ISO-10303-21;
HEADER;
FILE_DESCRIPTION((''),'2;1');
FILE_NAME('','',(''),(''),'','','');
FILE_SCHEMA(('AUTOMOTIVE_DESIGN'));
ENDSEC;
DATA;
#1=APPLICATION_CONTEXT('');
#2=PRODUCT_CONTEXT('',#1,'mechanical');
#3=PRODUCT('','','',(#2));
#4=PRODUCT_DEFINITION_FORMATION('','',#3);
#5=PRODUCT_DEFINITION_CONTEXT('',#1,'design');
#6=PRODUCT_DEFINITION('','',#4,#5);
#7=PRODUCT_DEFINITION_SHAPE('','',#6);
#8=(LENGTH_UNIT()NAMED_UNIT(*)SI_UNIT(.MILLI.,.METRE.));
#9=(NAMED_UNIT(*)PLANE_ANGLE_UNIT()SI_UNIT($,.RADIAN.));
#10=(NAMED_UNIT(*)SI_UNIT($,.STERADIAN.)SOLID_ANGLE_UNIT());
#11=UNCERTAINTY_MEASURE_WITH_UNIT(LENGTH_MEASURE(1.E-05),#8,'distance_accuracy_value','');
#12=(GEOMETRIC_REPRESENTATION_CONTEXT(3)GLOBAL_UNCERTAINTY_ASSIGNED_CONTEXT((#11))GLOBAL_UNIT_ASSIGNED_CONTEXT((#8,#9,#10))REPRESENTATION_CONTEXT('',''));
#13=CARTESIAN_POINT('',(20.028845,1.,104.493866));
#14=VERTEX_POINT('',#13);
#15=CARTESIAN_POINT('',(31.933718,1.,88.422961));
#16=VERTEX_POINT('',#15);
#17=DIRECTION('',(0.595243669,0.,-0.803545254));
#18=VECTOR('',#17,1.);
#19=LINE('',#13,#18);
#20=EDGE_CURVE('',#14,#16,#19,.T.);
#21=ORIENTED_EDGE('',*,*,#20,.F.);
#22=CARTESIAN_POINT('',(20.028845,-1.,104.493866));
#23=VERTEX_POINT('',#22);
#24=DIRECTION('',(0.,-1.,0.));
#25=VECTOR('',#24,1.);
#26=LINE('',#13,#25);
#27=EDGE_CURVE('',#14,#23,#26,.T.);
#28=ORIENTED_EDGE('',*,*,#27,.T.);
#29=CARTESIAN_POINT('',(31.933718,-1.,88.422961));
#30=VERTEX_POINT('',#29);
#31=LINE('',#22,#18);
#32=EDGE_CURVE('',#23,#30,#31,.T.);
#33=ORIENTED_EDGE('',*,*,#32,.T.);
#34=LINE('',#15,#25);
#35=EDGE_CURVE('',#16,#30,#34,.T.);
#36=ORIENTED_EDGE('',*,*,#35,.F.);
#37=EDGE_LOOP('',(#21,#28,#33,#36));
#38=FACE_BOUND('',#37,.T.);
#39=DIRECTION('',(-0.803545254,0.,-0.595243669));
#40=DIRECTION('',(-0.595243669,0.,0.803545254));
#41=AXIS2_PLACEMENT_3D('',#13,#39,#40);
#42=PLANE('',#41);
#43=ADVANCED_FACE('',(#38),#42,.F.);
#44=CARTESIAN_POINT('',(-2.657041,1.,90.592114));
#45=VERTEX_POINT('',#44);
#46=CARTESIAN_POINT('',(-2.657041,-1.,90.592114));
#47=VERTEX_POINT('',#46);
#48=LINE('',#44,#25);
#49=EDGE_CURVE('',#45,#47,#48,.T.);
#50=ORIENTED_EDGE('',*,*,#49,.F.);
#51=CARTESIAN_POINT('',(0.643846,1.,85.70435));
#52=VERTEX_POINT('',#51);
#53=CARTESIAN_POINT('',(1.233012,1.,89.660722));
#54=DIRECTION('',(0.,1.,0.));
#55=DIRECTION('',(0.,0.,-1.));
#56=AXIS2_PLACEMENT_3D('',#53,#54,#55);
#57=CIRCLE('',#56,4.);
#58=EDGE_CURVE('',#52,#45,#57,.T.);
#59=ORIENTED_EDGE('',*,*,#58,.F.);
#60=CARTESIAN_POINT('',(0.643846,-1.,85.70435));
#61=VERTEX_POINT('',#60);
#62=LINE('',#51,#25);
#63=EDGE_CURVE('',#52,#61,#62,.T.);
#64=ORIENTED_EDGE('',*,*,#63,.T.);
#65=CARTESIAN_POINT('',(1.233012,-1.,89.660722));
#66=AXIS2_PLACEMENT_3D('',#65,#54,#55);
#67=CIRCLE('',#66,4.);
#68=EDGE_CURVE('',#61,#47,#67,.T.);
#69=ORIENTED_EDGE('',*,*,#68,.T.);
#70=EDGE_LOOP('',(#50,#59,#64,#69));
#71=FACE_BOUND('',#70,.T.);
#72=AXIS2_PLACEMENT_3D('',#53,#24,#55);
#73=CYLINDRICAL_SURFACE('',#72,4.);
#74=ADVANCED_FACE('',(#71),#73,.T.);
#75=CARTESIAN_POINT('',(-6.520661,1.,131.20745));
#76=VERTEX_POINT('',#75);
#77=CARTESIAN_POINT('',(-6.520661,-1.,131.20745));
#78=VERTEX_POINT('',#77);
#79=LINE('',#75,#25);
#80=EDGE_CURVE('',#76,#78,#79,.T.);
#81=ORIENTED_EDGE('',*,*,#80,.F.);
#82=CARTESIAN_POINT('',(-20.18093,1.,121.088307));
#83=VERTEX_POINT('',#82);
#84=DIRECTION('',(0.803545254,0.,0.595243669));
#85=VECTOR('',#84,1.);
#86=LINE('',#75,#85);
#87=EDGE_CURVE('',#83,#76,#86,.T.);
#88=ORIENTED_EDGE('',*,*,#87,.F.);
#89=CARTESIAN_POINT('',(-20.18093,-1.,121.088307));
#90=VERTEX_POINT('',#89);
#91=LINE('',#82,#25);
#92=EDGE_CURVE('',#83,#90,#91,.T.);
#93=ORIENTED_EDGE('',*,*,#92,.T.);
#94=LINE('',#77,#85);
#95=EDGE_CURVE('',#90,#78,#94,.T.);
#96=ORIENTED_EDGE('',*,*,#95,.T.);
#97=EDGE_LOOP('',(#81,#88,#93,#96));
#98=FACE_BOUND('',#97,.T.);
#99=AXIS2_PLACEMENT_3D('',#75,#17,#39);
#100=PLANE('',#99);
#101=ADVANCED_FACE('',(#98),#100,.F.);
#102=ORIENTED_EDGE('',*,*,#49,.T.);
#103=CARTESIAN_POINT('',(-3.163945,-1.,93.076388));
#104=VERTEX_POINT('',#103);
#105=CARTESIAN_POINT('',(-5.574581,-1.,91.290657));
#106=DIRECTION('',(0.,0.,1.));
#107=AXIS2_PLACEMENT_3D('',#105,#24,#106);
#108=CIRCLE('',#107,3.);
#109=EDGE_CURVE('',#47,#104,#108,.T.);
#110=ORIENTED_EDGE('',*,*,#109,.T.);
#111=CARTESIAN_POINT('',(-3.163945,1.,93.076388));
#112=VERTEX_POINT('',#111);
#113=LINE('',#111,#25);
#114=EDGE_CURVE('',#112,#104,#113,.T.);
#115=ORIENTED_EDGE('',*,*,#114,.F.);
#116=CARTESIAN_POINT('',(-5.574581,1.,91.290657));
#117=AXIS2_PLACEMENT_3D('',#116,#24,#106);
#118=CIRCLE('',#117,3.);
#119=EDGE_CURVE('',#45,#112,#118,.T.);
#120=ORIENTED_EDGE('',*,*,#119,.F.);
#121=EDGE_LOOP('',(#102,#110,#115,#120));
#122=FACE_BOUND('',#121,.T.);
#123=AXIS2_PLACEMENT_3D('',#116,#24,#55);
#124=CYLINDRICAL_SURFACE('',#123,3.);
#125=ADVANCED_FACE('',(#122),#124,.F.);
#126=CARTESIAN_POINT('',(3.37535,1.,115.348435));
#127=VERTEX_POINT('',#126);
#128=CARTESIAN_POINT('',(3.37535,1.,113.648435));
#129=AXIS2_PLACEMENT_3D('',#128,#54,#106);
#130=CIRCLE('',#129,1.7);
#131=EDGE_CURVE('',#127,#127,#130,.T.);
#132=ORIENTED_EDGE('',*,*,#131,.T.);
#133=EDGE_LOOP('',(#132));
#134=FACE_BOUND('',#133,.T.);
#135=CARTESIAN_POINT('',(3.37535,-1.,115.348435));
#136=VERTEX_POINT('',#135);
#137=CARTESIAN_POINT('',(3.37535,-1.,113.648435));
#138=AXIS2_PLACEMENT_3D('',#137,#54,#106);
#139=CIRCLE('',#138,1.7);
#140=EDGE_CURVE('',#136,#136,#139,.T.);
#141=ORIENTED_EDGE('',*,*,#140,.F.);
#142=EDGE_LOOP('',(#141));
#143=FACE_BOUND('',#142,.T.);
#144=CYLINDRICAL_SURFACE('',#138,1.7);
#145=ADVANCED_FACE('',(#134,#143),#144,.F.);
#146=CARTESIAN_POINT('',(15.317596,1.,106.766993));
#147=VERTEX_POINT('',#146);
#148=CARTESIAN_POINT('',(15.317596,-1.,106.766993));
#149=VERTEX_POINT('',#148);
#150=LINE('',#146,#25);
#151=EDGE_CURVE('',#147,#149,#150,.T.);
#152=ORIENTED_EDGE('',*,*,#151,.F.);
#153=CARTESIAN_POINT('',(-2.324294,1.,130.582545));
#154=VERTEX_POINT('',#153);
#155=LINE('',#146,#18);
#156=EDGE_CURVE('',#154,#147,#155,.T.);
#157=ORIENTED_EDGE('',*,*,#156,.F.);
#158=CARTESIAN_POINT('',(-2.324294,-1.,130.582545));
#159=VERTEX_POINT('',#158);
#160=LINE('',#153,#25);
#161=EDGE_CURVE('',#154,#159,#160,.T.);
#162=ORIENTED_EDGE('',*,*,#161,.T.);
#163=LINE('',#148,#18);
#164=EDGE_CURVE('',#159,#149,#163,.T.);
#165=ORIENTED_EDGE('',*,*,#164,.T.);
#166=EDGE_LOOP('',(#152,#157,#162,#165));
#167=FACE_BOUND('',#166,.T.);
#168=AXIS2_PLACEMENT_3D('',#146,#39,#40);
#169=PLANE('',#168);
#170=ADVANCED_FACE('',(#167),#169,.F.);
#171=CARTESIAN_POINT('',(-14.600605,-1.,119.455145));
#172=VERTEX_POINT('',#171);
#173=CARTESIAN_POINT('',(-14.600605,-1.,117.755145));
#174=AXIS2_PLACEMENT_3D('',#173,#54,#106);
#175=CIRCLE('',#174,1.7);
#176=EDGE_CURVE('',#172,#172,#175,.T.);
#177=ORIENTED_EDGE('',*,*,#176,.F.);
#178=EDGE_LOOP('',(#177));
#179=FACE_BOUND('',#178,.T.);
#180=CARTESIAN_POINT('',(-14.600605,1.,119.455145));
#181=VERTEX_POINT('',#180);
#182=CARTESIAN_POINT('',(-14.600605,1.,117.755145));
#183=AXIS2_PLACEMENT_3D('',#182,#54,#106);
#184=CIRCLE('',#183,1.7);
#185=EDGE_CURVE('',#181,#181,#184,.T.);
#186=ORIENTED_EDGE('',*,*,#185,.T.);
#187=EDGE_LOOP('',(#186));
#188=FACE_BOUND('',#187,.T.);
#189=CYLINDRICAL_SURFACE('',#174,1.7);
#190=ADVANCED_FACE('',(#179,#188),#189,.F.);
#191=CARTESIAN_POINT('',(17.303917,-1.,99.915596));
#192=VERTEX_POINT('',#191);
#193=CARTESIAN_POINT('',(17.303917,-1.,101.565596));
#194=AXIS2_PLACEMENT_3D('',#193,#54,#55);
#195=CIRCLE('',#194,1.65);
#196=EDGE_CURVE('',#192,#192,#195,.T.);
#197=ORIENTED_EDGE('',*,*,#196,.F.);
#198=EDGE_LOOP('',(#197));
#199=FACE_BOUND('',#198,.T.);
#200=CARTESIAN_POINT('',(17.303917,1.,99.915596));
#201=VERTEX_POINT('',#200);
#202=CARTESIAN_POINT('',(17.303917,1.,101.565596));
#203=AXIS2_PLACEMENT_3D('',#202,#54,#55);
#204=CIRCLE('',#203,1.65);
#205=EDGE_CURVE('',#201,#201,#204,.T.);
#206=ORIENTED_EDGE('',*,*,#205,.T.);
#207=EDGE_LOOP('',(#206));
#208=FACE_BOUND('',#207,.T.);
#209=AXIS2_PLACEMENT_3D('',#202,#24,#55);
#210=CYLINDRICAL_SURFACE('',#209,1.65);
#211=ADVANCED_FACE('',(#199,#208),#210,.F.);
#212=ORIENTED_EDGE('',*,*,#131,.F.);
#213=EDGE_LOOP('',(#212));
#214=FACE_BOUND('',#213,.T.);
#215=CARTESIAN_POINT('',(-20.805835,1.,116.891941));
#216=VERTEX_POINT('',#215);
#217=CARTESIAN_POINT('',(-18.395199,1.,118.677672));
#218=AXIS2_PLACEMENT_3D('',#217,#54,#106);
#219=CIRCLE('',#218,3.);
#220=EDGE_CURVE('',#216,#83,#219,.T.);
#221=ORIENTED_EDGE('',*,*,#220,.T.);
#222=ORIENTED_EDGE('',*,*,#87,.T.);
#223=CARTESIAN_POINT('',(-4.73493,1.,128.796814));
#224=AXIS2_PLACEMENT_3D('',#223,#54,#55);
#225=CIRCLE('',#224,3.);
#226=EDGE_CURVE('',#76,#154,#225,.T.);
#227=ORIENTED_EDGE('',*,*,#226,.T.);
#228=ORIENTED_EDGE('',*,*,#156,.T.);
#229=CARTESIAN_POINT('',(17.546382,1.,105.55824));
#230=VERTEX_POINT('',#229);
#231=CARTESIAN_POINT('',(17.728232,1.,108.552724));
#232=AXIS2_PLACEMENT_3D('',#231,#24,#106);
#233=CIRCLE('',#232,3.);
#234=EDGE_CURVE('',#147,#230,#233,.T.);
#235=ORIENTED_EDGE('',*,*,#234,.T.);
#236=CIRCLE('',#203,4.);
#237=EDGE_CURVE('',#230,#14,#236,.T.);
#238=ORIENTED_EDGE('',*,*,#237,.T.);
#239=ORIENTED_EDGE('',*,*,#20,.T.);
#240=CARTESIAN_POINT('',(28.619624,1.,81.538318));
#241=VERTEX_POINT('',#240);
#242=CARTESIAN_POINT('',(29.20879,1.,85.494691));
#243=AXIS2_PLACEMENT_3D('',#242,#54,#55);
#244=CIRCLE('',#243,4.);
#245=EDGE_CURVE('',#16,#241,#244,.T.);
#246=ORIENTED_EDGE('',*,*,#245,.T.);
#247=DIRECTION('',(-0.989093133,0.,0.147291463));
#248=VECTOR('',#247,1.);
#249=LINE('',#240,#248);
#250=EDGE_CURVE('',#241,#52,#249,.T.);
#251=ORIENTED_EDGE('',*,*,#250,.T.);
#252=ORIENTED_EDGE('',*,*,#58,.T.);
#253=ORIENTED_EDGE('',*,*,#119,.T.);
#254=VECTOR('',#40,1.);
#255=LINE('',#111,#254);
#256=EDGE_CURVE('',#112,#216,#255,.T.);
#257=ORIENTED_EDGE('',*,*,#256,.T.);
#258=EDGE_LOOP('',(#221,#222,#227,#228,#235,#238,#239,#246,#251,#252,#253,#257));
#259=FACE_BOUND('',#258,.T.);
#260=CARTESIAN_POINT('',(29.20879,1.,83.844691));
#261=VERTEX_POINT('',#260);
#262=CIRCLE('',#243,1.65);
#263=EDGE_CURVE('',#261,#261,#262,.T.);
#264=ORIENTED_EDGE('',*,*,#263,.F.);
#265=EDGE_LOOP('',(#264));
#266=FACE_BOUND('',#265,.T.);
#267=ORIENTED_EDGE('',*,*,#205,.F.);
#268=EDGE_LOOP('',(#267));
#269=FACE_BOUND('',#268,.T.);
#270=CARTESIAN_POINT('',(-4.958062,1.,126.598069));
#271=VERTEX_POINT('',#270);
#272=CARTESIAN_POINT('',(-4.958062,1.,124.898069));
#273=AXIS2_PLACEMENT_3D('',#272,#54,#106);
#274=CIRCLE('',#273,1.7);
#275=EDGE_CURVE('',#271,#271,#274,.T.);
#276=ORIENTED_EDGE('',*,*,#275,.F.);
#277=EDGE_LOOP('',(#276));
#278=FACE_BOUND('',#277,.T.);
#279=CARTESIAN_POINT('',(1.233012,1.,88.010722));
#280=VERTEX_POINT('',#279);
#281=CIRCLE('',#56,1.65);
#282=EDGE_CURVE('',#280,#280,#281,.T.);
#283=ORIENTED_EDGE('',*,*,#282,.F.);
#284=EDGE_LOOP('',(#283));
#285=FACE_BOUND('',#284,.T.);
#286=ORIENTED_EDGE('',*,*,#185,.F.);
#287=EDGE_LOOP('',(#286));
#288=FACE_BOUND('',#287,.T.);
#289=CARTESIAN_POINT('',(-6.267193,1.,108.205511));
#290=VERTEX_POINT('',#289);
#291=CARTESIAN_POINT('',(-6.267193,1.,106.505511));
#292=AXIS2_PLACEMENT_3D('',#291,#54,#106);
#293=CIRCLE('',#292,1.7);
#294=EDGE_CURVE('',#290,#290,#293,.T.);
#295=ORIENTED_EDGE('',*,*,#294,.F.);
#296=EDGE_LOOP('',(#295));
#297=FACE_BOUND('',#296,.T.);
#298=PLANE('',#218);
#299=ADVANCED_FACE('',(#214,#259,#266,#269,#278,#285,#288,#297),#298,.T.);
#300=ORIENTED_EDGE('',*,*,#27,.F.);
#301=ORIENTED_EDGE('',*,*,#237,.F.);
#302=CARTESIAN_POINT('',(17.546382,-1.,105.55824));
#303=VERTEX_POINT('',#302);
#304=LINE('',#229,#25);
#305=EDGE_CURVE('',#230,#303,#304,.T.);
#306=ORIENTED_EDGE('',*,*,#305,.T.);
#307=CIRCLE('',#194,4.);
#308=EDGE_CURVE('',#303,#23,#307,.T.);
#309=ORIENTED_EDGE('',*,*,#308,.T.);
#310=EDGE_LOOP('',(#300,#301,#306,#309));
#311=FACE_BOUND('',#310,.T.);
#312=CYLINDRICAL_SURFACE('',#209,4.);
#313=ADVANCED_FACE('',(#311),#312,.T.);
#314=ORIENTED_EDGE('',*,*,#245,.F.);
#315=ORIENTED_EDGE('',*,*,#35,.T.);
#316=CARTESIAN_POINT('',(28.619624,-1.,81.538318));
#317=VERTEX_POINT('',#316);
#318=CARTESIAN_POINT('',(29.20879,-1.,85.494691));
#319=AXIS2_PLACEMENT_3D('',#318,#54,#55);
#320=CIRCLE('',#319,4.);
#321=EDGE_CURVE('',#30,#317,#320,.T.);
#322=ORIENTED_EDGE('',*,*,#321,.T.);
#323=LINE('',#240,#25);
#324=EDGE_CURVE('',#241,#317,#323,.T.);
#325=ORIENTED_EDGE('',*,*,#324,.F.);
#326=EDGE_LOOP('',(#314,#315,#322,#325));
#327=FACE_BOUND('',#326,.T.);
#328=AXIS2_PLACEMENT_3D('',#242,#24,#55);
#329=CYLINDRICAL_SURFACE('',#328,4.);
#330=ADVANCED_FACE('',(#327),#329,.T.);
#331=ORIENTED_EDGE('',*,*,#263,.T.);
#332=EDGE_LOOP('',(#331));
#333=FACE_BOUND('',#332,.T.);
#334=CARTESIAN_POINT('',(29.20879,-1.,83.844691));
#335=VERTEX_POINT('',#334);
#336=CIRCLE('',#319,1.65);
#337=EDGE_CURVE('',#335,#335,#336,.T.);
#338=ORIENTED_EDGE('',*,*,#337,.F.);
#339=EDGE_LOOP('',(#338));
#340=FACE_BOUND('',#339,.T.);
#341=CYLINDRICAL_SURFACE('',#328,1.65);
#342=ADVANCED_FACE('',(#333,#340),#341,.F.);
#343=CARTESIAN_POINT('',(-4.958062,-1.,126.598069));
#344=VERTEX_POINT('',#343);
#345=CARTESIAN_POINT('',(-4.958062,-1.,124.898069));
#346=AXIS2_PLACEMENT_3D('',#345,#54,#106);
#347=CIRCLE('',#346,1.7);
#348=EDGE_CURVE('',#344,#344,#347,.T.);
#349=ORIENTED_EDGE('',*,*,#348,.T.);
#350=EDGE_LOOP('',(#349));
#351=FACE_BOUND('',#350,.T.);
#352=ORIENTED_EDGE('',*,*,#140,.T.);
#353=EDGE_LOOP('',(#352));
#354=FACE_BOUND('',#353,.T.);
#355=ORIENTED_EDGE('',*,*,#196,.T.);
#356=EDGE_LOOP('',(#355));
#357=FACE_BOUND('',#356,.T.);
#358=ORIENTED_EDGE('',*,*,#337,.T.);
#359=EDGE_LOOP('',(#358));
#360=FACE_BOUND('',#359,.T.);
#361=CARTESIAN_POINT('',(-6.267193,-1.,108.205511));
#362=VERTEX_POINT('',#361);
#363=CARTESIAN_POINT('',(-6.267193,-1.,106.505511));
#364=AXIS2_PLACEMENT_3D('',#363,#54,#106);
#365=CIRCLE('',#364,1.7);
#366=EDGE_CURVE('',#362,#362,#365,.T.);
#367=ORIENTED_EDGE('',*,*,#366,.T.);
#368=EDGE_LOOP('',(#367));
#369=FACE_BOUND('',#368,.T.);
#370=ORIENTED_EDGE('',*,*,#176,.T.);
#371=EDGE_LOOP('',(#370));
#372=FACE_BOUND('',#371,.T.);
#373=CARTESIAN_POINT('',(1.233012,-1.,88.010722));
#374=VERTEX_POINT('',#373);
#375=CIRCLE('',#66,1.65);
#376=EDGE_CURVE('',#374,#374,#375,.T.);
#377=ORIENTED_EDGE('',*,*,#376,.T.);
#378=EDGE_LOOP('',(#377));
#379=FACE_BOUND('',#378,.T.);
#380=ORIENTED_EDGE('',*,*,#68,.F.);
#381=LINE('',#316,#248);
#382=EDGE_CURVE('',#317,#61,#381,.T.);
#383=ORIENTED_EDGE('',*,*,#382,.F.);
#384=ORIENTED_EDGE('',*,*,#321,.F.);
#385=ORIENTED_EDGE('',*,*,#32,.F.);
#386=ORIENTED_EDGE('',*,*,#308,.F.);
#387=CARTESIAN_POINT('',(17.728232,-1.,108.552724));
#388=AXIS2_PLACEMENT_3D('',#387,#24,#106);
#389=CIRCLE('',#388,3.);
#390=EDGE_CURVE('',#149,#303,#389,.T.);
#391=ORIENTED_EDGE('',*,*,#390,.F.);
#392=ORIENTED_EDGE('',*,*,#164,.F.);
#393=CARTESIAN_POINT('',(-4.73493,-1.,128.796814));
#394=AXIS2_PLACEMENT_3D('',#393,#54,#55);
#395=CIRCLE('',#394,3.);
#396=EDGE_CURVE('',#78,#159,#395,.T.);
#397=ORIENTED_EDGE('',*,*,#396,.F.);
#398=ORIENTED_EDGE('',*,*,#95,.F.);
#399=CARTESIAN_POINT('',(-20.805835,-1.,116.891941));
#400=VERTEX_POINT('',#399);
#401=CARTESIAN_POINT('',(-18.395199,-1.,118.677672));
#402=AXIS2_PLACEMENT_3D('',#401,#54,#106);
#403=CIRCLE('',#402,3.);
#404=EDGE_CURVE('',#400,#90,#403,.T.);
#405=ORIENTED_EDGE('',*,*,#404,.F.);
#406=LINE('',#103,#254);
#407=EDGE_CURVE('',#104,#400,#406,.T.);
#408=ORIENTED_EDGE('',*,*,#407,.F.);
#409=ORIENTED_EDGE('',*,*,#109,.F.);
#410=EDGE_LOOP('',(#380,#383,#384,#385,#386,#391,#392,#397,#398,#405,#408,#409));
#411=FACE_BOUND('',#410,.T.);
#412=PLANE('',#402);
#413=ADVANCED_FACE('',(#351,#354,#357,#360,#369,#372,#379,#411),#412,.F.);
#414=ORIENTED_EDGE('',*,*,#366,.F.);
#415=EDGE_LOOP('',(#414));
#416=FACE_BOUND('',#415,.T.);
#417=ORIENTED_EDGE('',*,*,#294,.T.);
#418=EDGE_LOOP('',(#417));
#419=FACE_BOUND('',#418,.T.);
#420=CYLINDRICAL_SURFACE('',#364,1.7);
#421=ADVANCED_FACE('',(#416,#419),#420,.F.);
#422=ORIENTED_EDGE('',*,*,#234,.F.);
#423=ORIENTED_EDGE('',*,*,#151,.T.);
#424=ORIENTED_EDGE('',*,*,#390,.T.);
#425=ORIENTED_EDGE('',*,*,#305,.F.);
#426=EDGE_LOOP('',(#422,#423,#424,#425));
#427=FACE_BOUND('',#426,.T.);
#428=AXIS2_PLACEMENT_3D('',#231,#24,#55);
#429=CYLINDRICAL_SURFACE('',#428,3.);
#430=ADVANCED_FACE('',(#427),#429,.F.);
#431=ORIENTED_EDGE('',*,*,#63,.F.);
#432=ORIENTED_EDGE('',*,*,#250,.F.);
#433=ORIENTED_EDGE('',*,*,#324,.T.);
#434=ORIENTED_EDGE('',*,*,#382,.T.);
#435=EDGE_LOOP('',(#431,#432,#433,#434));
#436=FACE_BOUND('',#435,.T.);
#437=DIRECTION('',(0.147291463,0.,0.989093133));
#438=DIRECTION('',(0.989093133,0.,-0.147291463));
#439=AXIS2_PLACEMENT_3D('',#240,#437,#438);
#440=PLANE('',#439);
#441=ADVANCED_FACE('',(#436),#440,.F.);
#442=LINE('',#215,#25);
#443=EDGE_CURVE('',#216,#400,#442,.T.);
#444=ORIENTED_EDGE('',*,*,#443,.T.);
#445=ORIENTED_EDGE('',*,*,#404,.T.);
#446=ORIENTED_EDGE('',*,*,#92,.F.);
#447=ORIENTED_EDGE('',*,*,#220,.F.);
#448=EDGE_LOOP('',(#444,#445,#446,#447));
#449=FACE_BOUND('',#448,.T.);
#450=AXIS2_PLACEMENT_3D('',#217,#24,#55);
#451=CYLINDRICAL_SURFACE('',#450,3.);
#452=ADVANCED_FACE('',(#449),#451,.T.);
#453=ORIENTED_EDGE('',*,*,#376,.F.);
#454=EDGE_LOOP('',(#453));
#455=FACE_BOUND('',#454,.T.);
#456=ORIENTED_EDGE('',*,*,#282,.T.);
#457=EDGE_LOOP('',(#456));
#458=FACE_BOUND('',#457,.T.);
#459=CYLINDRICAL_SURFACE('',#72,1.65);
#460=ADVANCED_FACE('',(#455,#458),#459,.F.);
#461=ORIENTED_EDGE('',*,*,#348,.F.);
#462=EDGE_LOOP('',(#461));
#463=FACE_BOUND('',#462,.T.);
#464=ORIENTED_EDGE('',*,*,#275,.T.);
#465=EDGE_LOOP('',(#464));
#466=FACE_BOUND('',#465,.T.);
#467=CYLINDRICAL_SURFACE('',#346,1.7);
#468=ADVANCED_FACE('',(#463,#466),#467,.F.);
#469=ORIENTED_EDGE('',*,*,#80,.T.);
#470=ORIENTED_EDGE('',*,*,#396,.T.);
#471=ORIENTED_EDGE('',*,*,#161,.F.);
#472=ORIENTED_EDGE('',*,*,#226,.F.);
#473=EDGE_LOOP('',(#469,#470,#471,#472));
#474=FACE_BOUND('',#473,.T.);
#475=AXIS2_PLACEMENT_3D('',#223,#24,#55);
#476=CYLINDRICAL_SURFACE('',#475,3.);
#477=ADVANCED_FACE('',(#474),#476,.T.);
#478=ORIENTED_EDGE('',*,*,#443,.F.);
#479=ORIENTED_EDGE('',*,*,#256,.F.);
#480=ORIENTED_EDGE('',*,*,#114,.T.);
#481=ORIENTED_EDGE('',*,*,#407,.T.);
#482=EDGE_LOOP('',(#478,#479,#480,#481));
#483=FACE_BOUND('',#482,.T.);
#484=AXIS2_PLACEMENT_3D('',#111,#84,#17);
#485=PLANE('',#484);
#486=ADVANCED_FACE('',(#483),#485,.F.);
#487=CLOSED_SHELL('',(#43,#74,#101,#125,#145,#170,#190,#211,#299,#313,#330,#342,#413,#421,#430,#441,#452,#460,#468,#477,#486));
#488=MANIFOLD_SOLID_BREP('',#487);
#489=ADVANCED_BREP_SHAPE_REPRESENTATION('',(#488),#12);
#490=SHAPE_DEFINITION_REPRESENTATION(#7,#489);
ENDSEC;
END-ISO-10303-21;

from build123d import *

# Parameters (mm, degrees)
SKETCH1_R           = 1.650000007
BOSS_EXTRUDE1_DEPTH = 1
SKETCH9_R           = 1.7
CUT_EXTRUDE3_DEPTH  = 2


with BuildPart() as part:
    # Sketch1 → Boss-Extrude1 (new, symmetric)
    with BuildSketch(Plane(origin=(0, 0, 0), x_dir=(1, 0, 0), z_dir=(0, 1, 0))):
        with BuildLine():
            Line((-3.163944782, -93.076388076), (-20.805834618, -116.891940565))
            ThreePointArc((-20.805834618, -116.891940565), (-21.362478255, -119.119545961), (-20.180929864, -121.088307332))
            Line((-20.180929864, -121.088307332), (-6.520660553, -131.207449705))
            ThreePointArc((-6.520660553, -131.207449705), (-4.293055157, -131.764093342), (-2.324293786, -130.582544951))
            Line((-2.324293786, -130.582544951), (15.317595998, -106.766992534))
            ThreePointArc((15.317595998, -106.766992534), (16.298016652, -105.915587831), (17.546382486, -105.558240139))
            ThreePointArc((17.546382486, -105.558240139), (18.880171652, -105.241928098), (20.028844772, -104.493865997))
            Line((20.028844772, -104.493865997), (31.933718152, -88.422960925))
            ThreePointArc((31.933718152, -88.422960925), (32.812947077, -83.759740105), (28.619624318, -81.538318002))
            Line((28.619624318, -81.538318002), (0.643845867, -85.704349694))
            ThreePointArc((0.643845867, -85.704349694), (-2.081865152, -87.422063847), (-2.657041002, -90.592113564))
            ThreePointArc((-2.657041002, -90.592113564), (-2.635147269, -91.890433717), (-3.163944782, -93.076388076))
        make_face()
        with Locations(Location((1.233011719, -89.660722224, 0), (0, 0, 90))):
            Circle(SKETCH1_R, mode=Mode.SUBTRACT)
        with Locations(Location((29.20879017, -85.494690532, 0), (0, 0, 90))):
            Circle(SKETCH1_R, mode=Mode.SUBTRACT)
        with Locations(Location((17.30391679, -101.565595604, 0), (0, 0, 90))):
            Circle(SKETCH1_R, mode=Mode.SUBTRACT)
    extrude(amount=BOSS_EXTRUDE1_DEPTH, both=True)

    # Sketch9 → Cut-Extrude3 (cut)
    with BuildSketch(Plane(origin=(0, 1, 0), x_dir=(1, 0, 0), z_dir=(0, 1, 0))):
        with Locations(Location((-6.267193351, -106.505511433, 0), (0, 0, 270))):
            Circle(SKETCH9_R)
        with Locations(Location((-14.600604716, -117.755144983, 0), (0, 0, 270))):
            Circle(SKETCH9_R)
        with Locations(Location((-4.958061673, -124.898069011, 0), (0, 0, 270))):
            Circle(SKETCH9_R)
        with Locations(Location((3.375349692, -113.648435461, 0), (0, 0, 270))):
            Circle(SKETCH9_R)
    extrude(amount=-CUT_EXTRUDE3_DEPTH, mode=Mode.SUBTRACT)


solid = part.part
